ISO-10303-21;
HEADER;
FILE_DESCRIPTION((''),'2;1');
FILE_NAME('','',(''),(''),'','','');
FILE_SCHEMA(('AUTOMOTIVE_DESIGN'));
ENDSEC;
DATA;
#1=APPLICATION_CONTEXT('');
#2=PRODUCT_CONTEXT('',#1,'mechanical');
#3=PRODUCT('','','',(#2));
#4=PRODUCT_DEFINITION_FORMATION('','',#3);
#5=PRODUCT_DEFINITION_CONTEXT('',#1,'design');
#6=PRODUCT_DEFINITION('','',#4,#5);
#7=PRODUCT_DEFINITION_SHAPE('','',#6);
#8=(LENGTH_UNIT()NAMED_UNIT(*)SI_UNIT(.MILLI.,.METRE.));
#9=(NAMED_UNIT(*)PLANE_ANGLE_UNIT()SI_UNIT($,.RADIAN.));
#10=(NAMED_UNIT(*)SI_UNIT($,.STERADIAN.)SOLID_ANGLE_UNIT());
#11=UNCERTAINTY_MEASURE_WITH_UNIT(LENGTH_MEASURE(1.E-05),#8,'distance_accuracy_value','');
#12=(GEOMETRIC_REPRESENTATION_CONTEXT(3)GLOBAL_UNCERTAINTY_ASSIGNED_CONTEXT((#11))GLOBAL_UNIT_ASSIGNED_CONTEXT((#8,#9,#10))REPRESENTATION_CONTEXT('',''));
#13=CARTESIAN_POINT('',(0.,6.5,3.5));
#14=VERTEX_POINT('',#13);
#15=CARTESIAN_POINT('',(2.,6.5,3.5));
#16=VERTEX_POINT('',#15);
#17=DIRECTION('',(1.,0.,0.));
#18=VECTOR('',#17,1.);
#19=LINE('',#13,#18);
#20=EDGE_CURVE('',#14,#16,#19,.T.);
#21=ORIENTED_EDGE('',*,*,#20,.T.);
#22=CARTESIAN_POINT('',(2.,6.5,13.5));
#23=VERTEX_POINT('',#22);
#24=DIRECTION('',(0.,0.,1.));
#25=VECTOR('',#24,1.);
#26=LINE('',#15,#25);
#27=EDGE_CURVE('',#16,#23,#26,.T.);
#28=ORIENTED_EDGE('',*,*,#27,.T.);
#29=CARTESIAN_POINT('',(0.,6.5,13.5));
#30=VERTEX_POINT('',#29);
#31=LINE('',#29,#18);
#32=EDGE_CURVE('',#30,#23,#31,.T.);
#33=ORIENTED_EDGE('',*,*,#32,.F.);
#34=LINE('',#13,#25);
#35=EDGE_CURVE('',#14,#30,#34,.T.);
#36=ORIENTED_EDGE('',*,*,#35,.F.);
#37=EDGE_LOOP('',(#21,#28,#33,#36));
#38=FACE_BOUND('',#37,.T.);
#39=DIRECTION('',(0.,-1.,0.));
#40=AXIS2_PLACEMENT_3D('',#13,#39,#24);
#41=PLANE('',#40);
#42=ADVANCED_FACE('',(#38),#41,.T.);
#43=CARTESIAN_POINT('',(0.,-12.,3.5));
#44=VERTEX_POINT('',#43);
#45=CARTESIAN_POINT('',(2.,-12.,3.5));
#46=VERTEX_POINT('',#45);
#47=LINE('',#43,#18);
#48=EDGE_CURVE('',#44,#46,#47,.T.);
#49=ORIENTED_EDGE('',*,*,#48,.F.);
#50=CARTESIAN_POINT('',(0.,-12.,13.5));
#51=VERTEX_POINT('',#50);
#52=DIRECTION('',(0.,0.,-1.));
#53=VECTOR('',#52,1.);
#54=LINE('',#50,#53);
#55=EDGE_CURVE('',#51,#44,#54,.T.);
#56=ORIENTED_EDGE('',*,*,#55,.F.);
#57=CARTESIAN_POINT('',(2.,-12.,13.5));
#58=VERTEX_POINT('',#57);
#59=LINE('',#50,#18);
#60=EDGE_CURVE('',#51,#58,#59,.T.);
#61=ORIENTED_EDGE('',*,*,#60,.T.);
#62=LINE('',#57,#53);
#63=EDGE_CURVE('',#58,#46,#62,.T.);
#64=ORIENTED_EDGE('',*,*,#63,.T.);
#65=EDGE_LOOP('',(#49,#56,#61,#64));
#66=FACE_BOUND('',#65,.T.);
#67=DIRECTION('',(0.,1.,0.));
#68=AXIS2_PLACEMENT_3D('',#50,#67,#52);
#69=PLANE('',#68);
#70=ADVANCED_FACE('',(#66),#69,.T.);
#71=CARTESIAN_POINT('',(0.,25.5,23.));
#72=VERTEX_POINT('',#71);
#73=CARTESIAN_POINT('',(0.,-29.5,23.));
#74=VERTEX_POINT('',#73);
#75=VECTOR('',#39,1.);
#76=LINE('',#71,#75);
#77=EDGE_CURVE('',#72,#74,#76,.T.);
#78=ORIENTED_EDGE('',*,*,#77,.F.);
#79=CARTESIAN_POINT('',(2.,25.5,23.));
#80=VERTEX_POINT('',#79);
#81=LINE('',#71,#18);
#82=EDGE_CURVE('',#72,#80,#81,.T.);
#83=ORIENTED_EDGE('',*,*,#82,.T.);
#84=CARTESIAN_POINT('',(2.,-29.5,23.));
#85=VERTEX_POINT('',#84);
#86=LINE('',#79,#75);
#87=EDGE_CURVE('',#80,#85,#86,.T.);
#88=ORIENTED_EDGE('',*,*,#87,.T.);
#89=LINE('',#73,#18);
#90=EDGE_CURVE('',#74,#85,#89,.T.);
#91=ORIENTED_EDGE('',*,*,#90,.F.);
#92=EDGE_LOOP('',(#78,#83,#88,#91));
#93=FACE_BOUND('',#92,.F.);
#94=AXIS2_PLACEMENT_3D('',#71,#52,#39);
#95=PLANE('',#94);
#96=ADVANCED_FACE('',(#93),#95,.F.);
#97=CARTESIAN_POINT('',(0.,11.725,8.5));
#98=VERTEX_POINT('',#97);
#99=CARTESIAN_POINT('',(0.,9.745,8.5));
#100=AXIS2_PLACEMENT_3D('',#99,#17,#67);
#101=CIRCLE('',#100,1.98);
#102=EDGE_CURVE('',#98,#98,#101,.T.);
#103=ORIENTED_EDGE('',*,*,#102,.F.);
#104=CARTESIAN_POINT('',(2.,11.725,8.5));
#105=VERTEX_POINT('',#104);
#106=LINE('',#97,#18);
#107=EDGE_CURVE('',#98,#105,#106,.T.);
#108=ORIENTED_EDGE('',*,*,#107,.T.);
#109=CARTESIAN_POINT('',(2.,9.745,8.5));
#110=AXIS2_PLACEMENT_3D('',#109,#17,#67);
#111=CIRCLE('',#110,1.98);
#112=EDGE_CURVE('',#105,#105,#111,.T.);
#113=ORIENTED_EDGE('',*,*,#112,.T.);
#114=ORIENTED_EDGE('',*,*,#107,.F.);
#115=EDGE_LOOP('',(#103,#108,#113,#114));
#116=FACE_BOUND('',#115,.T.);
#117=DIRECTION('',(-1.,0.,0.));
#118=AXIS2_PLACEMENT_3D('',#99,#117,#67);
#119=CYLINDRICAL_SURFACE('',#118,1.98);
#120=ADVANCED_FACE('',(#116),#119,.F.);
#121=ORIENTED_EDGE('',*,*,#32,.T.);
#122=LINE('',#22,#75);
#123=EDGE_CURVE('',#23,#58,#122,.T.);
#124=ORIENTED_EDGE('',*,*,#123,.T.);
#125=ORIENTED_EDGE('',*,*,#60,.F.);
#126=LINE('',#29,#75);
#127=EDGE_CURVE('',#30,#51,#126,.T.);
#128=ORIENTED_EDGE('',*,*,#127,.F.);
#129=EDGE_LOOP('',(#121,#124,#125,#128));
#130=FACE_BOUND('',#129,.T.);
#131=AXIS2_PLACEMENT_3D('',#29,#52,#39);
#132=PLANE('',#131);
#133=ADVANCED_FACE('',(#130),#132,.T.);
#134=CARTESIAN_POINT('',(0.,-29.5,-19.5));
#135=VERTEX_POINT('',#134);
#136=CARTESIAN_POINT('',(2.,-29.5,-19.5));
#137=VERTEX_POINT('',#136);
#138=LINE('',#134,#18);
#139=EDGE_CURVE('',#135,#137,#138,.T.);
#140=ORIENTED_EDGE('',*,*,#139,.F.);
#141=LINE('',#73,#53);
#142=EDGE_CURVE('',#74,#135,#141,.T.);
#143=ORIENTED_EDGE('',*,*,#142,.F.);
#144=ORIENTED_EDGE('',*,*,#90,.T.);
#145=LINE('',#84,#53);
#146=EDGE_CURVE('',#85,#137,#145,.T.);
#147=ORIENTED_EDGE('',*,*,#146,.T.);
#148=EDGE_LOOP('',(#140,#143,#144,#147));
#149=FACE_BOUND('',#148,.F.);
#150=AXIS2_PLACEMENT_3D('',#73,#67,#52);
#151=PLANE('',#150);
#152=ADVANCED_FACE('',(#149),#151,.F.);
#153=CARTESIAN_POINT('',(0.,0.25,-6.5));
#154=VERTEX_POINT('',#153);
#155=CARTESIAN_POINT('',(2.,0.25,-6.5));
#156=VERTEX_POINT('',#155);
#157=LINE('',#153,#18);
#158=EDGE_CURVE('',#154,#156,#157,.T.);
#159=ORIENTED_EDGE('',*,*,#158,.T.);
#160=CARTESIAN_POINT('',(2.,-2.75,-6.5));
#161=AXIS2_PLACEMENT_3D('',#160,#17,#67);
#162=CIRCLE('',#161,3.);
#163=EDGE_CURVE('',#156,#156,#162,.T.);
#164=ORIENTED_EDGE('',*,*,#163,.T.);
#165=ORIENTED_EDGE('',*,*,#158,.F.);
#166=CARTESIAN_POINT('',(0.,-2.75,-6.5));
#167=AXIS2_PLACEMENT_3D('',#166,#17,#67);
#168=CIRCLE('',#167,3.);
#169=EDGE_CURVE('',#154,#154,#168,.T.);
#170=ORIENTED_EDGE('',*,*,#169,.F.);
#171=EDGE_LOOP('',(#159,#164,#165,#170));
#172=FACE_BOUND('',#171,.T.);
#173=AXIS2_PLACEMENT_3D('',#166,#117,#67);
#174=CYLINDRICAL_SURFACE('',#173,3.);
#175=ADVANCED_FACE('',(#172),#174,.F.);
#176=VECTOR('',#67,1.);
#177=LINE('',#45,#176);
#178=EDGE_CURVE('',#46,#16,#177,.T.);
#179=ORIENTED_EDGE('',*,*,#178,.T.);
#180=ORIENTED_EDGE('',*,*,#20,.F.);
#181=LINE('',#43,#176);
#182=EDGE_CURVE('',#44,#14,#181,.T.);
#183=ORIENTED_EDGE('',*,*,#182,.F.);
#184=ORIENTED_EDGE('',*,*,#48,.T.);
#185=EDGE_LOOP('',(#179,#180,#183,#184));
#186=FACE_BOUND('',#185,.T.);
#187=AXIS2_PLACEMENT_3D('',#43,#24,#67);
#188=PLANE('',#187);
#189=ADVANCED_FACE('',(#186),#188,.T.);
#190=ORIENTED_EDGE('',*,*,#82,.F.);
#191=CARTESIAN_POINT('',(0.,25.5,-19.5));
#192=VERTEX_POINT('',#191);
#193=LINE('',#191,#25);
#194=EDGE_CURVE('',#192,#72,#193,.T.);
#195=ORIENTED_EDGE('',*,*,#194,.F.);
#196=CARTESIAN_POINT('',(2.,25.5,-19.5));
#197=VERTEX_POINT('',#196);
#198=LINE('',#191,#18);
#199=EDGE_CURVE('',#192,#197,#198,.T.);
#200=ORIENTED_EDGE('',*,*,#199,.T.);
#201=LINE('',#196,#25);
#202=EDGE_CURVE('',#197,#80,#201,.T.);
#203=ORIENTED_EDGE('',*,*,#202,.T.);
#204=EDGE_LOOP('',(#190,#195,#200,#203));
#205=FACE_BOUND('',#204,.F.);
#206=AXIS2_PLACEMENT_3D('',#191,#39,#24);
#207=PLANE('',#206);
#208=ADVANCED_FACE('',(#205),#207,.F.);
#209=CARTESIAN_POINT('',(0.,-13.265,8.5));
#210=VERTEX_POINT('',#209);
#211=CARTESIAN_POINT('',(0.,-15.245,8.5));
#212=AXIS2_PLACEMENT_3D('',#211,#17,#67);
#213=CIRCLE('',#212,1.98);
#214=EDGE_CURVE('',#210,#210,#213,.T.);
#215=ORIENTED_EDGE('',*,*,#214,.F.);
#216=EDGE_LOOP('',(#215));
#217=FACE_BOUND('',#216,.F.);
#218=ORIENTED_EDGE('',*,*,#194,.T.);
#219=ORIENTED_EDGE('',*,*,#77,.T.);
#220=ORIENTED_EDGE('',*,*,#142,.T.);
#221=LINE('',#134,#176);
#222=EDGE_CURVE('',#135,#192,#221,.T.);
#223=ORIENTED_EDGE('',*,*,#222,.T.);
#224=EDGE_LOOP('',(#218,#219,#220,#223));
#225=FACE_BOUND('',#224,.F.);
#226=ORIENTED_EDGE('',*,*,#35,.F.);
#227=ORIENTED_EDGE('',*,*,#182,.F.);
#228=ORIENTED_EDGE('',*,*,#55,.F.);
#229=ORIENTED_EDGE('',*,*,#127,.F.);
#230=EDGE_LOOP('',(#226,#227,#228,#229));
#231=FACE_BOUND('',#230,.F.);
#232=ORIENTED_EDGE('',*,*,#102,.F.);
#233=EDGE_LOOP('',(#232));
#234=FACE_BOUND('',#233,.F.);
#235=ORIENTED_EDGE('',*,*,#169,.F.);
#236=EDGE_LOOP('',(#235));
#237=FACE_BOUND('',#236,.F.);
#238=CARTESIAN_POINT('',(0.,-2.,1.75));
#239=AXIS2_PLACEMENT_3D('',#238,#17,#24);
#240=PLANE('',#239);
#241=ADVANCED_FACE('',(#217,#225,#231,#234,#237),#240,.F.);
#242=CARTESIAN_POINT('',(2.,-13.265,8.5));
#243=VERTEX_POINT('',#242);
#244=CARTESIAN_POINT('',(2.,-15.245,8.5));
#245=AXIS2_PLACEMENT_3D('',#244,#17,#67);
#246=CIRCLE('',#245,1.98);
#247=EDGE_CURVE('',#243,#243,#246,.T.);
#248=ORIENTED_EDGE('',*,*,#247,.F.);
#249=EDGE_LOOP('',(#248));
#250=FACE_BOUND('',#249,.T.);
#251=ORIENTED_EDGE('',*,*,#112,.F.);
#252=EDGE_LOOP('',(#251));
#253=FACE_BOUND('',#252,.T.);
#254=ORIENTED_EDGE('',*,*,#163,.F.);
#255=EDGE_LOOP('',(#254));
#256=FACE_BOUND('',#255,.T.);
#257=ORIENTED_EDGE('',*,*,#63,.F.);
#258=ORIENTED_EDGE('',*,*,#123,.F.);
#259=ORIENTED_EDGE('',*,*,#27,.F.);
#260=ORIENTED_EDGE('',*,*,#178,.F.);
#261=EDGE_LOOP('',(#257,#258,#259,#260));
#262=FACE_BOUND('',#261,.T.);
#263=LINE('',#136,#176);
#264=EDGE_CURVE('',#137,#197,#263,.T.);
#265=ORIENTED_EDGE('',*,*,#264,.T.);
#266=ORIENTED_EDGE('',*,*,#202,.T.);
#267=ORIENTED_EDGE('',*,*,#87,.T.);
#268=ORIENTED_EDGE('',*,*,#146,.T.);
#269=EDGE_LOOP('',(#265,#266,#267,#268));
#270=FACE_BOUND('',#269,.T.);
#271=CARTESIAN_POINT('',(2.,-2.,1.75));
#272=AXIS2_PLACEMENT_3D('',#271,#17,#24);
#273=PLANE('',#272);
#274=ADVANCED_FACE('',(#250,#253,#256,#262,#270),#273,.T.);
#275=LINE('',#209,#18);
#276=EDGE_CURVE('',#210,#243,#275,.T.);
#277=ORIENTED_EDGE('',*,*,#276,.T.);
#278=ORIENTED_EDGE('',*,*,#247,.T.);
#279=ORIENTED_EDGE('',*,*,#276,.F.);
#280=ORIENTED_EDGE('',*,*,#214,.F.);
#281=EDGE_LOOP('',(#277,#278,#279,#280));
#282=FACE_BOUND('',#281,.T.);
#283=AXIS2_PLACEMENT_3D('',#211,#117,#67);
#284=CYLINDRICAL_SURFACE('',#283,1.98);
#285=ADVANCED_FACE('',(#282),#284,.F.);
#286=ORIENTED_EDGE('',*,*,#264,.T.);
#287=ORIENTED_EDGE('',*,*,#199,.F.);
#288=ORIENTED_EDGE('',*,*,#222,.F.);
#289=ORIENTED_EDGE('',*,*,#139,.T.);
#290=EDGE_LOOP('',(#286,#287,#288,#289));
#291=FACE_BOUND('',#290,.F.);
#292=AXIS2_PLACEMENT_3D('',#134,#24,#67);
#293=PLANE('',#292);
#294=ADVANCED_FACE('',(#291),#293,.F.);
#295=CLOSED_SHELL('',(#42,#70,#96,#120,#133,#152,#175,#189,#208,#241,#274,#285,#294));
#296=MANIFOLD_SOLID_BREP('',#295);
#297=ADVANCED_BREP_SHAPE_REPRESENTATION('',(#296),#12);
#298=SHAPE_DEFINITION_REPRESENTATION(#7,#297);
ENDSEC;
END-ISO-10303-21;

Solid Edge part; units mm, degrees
sketch "Sketch1" plane through (0, 0, 0) normal (1, 0, 0) x (0, 1, 0)
  line L0 (25.5, -19.5) -> (25.5, 23)
  line L1 (25.5, 23) -> (-29.5, 23)
  line L2 (-29.5, 23) -> (-29.5, -19.5)
  line L3 (-29.5, -19.5) -> (25.5, -19.5)
extrude "Protrusion1" add sketch "Sketch1" along normal blind 2
sketch "Sketch2" plane through (0, 0, 0) normal (1, 0, 0) x (0, 1, 0)
  line L0 (6.5, 13.5) -> (-12, 13.5)
  line L1 (-12, 13.5) -> (-12, 3.5)
  line L2 (-12, 3.5) -> (6.5, 3.5)
  line L3 (6.5, 3.5) -> (6.5, 13.5)
  circle A0 centre (-15.245, 8.5) radius 1.98
  circle A1 centre (9.745, 8.5) radius 1.98
  dimension "D1" = 18.5
  dimension "D2" = 10
  dimension "D3" = 3.96
  dimension "D4" = 3.96
  dimension "D5" = 3.245
  dimension "D6" = 3.245
  dimension "D7" = 24.99
  dimension "D8" = 23
  dimension "D9" = 28
  dimension "D10" = 28
  dimension "D11" = 19
extrude "ExtrudedCutout_9" cut sketch "Sketch2" along normal blind 2
sketch "Sketch3" plane through (0, 0, 0) normal (1, 0, 0) x (0, 1, 0)
  circle A0 centre (-2.75, -6.5) radius 3
extrude "ExtrudedCutout_10" cut sketch "Sketch3" along normal blind 2
properties material "ABS Plastic, high impact"
